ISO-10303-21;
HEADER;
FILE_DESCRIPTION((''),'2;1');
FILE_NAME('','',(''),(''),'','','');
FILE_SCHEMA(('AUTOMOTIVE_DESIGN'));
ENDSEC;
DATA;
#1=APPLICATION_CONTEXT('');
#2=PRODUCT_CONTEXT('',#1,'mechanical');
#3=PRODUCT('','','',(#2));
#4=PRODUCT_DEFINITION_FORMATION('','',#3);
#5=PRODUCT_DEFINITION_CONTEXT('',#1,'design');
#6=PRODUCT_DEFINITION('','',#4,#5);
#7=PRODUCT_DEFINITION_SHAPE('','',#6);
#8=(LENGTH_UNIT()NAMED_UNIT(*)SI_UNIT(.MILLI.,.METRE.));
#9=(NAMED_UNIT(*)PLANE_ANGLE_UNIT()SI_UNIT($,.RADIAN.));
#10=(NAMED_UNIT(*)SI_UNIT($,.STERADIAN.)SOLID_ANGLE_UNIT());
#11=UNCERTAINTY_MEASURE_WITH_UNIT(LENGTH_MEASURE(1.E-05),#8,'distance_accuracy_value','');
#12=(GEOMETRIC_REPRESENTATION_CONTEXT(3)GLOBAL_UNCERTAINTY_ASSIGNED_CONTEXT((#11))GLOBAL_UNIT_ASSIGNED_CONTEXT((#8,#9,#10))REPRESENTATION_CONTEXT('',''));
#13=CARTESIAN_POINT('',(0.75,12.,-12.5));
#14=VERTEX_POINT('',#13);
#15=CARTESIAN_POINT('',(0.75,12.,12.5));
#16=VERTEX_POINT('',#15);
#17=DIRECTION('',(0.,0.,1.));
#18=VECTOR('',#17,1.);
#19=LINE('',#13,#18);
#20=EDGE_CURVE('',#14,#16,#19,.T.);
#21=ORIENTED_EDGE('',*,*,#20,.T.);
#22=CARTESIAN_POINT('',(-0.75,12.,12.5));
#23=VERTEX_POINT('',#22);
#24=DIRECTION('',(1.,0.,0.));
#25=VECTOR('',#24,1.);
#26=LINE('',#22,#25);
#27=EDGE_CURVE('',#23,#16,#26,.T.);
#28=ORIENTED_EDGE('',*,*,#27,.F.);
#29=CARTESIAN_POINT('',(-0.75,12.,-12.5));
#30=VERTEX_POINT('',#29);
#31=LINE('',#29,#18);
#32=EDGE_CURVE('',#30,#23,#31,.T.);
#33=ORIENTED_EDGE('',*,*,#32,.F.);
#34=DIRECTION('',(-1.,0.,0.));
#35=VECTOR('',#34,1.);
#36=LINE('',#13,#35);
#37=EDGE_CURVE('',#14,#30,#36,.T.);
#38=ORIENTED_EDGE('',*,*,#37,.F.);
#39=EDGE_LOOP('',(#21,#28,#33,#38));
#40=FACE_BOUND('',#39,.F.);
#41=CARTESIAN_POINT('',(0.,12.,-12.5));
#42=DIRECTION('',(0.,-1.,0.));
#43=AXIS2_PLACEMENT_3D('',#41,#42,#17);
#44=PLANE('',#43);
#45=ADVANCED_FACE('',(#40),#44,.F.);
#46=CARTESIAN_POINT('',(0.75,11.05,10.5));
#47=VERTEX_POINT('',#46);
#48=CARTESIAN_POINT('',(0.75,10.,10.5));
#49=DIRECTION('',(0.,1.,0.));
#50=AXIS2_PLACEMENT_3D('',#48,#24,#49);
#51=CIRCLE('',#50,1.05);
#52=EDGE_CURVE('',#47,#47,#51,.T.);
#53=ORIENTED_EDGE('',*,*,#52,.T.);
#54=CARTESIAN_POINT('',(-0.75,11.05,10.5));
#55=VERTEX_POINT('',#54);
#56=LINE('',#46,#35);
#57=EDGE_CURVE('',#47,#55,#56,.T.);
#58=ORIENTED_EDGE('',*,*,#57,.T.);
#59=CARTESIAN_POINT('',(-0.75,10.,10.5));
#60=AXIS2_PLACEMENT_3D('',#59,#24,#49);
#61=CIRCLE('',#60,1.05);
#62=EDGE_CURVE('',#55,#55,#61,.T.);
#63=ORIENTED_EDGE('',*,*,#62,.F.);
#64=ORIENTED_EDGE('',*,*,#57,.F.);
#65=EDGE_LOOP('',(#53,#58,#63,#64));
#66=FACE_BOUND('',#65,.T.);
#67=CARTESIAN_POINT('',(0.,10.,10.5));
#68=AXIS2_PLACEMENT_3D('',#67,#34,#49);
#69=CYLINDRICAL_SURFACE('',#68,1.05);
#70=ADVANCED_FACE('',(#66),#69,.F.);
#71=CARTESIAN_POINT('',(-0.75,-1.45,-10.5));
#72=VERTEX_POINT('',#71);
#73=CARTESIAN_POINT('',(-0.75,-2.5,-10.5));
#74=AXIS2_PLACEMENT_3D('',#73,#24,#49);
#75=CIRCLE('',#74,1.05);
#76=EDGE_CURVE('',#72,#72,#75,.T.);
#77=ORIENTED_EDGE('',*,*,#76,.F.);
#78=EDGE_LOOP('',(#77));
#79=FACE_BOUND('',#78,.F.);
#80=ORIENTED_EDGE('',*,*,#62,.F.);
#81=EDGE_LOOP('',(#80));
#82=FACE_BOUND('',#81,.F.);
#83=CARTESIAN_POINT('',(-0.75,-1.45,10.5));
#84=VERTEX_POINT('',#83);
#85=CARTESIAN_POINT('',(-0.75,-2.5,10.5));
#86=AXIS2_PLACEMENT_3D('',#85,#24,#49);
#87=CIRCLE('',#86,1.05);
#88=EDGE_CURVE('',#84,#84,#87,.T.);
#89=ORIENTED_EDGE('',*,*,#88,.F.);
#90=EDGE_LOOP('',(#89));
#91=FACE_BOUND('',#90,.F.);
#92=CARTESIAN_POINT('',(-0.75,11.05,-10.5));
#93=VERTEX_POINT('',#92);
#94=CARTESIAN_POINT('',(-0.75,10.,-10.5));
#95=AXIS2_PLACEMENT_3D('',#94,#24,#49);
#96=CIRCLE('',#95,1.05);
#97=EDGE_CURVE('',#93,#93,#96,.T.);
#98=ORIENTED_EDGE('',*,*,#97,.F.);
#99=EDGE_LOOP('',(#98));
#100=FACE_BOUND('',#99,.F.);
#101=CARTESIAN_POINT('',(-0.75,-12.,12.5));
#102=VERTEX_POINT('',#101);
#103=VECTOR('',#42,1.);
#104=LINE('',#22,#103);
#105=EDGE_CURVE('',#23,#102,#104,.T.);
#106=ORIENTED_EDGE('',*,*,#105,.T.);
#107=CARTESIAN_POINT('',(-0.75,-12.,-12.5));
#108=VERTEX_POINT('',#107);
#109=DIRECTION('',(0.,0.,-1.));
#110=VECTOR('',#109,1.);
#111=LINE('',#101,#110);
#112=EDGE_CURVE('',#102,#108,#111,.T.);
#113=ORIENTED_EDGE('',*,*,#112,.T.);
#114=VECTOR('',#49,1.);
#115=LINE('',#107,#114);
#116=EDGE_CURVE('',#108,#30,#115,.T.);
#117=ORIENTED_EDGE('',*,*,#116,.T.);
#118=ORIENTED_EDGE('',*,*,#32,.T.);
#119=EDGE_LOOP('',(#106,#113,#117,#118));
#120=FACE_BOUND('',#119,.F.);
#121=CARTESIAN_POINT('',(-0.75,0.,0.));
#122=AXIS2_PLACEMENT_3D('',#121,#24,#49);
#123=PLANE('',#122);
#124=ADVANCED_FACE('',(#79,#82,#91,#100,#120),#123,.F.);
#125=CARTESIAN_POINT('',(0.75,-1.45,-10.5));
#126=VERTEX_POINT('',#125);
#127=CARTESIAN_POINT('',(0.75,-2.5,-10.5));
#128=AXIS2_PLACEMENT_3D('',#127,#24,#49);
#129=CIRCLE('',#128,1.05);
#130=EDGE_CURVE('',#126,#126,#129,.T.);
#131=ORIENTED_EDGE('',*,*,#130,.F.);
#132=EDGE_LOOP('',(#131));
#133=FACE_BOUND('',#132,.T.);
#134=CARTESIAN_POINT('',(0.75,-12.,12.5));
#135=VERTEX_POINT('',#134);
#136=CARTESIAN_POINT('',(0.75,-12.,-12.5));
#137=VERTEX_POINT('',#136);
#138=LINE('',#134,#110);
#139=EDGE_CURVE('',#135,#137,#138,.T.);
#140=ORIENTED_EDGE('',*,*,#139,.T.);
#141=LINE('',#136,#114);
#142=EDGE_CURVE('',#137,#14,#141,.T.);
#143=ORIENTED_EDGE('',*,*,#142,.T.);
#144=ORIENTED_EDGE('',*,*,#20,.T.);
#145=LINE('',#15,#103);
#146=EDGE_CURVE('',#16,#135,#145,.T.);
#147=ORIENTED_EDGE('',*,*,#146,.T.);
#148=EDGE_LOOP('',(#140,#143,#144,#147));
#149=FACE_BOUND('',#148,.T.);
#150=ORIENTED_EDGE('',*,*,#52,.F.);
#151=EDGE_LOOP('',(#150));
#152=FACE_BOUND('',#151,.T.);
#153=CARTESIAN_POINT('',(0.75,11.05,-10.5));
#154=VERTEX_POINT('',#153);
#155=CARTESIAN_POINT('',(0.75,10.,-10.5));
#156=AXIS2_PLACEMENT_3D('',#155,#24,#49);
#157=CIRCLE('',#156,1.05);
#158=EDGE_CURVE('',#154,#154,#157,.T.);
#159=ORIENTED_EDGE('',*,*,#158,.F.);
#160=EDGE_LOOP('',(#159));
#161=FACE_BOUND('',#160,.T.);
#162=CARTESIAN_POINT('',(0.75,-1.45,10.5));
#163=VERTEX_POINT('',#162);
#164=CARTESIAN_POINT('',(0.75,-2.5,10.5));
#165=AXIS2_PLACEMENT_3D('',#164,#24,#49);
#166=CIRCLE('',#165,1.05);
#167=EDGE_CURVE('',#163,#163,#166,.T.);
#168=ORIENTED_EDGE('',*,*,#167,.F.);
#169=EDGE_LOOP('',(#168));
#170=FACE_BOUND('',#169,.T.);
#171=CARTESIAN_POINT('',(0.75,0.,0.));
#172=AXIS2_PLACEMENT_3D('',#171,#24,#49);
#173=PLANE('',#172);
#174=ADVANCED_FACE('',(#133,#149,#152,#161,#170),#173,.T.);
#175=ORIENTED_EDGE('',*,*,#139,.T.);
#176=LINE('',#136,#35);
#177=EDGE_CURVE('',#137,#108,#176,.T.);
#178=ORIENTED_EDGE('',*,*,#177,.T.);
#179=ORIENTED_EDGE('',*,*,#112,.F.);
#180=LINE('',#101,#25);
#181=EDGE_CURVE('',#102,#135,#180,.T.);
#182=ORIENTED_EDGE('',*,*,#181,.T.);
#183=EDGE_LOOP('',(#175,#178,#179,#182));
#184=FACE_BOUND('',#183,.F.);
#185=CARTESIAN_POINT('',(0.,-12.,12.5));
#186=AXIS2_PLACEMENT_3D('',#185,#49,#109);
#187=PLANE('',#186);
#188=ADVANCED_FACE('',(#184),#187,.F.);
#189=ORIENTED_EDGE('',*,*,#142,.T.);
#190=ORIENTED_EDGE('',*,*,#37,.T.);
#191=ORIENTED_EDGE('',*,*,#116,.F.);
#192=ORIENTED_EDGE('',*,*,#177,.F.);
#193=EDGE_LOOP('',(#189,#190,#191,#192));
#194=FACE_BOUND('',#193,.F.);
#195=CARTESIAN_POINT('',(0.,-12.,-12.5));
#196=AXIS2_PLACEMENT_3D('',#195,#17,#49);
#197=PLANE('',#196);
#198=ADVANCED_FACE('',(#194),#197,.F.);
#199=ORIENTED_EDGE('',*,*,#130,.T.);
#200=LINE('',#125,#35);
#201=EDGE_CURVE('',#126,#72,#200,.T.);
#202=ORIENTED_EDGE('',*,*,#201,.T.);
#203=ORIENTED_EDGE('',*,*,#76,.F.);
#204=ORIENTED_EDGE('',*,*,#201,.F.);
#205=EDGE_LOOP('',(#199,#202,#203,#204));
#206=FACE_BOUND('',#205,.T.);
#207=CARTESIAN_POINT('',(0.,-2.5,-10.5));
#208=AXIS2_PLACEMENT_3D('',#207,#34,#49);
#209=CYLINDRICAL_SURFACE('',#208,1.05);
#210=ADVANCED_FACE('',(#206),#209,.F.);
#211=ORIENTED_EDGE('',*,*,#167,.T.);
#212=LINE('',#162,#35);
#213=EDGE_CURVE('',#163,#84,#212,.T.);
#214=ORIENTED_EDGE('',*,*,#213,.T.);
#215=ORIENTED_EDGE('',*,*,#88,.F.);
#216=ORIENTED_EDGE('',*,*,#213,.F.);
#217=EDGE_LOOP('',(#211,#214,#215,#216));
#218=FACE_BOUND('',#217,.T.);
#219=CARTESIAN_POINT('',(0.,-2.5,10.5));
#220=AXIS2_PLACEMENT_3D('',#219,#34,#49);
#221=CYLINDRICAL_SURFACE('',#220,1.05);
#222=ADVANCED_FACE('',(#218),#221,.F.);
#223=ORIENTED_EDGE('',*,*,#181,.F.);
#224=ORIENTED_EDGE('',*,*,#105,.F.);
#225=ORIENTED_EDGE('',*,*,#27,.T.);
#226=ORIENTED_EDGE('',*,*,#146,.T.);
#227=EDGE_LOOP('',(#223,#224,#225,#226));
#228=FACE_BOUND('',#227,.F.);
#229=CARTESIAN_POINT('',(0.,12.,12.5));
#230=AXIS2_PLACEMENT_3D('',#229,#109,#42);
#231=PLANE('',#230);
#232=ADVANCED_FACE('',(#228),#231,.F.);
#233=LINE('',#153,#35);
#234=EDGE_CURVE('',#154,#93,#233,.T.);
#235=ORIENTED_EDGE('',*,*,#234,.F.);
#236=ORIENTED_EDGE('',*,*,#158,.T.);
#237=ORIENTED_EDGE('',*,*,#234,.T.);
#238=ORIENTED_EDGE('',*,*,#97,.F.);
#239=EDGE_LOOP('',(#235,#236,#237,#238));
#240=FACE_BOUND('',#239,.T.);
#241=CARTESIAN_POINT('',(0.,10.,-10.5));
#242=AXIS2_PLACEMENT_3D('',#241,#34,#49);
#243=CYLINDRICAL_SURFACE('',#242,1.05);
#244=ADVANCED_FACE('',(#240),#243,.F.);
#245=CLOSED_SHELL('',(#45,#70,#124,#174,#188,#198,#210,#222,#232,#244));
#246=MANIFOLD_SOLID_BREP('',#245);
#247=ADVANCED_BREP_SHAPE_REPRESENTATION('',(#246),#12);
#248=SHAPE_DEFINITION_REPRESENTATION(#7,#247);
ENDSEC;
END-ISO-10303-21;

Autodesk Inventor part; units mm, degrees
ref_plane "YZ Plane" through (0, 0, 0) normal (1, 0, 0) x (0, 1, 0)
ref_plane "XZ Plane" through (0, 0, 0) normal (0, 1, 0) x (-1, 0, 0)
ref_plane "XY Plane" through (0, 0, 0) normal (0, 0, 1) x (1, 0, 0)
sketch "Sketch1" plane through (0, 0, 0) normal (1, 0, 0) x (0, 1, 0)
  line L0 (12, 12.5) -> (-12, 12.5)
  line L1 (-12, 12.5) -> (-12, -12.5)
  line L2 (-12, -12.5) -> (12, -12.5)
  line L3 (12, -12.5) -> (12, 12.5)
  line L4 (12, 12.5) -> (-12, -12.5) construction
  line L5 (-12, 12.5) -> (12, -12.5) construction
  circle A0 centre (10, 10.5) radius 1.05
  line L6 (12, 0) -> (-12, 0) construction
  circle A1 centre (-2.5, 10.5) radius 1.05
  circle A2 centre (10, -10.5) radius 1.05
  circle A3 centre (-2.5, -10.5) radius 1.05
  point P0 (0, 0)
  dimension "d0" = 24
  dimension "d1" = 25
  dimension "d2" = 2.1
  dimension "d3" = 2
  dimension "d4" = 2
  dimension "d5" = 2.1
  dimension "d6" = 12.5
  dimension "d7" = 2
extrude "Extrusion1" add sketch "Sketch1" along normal mid plane 1.5
properties part number "Booard"
